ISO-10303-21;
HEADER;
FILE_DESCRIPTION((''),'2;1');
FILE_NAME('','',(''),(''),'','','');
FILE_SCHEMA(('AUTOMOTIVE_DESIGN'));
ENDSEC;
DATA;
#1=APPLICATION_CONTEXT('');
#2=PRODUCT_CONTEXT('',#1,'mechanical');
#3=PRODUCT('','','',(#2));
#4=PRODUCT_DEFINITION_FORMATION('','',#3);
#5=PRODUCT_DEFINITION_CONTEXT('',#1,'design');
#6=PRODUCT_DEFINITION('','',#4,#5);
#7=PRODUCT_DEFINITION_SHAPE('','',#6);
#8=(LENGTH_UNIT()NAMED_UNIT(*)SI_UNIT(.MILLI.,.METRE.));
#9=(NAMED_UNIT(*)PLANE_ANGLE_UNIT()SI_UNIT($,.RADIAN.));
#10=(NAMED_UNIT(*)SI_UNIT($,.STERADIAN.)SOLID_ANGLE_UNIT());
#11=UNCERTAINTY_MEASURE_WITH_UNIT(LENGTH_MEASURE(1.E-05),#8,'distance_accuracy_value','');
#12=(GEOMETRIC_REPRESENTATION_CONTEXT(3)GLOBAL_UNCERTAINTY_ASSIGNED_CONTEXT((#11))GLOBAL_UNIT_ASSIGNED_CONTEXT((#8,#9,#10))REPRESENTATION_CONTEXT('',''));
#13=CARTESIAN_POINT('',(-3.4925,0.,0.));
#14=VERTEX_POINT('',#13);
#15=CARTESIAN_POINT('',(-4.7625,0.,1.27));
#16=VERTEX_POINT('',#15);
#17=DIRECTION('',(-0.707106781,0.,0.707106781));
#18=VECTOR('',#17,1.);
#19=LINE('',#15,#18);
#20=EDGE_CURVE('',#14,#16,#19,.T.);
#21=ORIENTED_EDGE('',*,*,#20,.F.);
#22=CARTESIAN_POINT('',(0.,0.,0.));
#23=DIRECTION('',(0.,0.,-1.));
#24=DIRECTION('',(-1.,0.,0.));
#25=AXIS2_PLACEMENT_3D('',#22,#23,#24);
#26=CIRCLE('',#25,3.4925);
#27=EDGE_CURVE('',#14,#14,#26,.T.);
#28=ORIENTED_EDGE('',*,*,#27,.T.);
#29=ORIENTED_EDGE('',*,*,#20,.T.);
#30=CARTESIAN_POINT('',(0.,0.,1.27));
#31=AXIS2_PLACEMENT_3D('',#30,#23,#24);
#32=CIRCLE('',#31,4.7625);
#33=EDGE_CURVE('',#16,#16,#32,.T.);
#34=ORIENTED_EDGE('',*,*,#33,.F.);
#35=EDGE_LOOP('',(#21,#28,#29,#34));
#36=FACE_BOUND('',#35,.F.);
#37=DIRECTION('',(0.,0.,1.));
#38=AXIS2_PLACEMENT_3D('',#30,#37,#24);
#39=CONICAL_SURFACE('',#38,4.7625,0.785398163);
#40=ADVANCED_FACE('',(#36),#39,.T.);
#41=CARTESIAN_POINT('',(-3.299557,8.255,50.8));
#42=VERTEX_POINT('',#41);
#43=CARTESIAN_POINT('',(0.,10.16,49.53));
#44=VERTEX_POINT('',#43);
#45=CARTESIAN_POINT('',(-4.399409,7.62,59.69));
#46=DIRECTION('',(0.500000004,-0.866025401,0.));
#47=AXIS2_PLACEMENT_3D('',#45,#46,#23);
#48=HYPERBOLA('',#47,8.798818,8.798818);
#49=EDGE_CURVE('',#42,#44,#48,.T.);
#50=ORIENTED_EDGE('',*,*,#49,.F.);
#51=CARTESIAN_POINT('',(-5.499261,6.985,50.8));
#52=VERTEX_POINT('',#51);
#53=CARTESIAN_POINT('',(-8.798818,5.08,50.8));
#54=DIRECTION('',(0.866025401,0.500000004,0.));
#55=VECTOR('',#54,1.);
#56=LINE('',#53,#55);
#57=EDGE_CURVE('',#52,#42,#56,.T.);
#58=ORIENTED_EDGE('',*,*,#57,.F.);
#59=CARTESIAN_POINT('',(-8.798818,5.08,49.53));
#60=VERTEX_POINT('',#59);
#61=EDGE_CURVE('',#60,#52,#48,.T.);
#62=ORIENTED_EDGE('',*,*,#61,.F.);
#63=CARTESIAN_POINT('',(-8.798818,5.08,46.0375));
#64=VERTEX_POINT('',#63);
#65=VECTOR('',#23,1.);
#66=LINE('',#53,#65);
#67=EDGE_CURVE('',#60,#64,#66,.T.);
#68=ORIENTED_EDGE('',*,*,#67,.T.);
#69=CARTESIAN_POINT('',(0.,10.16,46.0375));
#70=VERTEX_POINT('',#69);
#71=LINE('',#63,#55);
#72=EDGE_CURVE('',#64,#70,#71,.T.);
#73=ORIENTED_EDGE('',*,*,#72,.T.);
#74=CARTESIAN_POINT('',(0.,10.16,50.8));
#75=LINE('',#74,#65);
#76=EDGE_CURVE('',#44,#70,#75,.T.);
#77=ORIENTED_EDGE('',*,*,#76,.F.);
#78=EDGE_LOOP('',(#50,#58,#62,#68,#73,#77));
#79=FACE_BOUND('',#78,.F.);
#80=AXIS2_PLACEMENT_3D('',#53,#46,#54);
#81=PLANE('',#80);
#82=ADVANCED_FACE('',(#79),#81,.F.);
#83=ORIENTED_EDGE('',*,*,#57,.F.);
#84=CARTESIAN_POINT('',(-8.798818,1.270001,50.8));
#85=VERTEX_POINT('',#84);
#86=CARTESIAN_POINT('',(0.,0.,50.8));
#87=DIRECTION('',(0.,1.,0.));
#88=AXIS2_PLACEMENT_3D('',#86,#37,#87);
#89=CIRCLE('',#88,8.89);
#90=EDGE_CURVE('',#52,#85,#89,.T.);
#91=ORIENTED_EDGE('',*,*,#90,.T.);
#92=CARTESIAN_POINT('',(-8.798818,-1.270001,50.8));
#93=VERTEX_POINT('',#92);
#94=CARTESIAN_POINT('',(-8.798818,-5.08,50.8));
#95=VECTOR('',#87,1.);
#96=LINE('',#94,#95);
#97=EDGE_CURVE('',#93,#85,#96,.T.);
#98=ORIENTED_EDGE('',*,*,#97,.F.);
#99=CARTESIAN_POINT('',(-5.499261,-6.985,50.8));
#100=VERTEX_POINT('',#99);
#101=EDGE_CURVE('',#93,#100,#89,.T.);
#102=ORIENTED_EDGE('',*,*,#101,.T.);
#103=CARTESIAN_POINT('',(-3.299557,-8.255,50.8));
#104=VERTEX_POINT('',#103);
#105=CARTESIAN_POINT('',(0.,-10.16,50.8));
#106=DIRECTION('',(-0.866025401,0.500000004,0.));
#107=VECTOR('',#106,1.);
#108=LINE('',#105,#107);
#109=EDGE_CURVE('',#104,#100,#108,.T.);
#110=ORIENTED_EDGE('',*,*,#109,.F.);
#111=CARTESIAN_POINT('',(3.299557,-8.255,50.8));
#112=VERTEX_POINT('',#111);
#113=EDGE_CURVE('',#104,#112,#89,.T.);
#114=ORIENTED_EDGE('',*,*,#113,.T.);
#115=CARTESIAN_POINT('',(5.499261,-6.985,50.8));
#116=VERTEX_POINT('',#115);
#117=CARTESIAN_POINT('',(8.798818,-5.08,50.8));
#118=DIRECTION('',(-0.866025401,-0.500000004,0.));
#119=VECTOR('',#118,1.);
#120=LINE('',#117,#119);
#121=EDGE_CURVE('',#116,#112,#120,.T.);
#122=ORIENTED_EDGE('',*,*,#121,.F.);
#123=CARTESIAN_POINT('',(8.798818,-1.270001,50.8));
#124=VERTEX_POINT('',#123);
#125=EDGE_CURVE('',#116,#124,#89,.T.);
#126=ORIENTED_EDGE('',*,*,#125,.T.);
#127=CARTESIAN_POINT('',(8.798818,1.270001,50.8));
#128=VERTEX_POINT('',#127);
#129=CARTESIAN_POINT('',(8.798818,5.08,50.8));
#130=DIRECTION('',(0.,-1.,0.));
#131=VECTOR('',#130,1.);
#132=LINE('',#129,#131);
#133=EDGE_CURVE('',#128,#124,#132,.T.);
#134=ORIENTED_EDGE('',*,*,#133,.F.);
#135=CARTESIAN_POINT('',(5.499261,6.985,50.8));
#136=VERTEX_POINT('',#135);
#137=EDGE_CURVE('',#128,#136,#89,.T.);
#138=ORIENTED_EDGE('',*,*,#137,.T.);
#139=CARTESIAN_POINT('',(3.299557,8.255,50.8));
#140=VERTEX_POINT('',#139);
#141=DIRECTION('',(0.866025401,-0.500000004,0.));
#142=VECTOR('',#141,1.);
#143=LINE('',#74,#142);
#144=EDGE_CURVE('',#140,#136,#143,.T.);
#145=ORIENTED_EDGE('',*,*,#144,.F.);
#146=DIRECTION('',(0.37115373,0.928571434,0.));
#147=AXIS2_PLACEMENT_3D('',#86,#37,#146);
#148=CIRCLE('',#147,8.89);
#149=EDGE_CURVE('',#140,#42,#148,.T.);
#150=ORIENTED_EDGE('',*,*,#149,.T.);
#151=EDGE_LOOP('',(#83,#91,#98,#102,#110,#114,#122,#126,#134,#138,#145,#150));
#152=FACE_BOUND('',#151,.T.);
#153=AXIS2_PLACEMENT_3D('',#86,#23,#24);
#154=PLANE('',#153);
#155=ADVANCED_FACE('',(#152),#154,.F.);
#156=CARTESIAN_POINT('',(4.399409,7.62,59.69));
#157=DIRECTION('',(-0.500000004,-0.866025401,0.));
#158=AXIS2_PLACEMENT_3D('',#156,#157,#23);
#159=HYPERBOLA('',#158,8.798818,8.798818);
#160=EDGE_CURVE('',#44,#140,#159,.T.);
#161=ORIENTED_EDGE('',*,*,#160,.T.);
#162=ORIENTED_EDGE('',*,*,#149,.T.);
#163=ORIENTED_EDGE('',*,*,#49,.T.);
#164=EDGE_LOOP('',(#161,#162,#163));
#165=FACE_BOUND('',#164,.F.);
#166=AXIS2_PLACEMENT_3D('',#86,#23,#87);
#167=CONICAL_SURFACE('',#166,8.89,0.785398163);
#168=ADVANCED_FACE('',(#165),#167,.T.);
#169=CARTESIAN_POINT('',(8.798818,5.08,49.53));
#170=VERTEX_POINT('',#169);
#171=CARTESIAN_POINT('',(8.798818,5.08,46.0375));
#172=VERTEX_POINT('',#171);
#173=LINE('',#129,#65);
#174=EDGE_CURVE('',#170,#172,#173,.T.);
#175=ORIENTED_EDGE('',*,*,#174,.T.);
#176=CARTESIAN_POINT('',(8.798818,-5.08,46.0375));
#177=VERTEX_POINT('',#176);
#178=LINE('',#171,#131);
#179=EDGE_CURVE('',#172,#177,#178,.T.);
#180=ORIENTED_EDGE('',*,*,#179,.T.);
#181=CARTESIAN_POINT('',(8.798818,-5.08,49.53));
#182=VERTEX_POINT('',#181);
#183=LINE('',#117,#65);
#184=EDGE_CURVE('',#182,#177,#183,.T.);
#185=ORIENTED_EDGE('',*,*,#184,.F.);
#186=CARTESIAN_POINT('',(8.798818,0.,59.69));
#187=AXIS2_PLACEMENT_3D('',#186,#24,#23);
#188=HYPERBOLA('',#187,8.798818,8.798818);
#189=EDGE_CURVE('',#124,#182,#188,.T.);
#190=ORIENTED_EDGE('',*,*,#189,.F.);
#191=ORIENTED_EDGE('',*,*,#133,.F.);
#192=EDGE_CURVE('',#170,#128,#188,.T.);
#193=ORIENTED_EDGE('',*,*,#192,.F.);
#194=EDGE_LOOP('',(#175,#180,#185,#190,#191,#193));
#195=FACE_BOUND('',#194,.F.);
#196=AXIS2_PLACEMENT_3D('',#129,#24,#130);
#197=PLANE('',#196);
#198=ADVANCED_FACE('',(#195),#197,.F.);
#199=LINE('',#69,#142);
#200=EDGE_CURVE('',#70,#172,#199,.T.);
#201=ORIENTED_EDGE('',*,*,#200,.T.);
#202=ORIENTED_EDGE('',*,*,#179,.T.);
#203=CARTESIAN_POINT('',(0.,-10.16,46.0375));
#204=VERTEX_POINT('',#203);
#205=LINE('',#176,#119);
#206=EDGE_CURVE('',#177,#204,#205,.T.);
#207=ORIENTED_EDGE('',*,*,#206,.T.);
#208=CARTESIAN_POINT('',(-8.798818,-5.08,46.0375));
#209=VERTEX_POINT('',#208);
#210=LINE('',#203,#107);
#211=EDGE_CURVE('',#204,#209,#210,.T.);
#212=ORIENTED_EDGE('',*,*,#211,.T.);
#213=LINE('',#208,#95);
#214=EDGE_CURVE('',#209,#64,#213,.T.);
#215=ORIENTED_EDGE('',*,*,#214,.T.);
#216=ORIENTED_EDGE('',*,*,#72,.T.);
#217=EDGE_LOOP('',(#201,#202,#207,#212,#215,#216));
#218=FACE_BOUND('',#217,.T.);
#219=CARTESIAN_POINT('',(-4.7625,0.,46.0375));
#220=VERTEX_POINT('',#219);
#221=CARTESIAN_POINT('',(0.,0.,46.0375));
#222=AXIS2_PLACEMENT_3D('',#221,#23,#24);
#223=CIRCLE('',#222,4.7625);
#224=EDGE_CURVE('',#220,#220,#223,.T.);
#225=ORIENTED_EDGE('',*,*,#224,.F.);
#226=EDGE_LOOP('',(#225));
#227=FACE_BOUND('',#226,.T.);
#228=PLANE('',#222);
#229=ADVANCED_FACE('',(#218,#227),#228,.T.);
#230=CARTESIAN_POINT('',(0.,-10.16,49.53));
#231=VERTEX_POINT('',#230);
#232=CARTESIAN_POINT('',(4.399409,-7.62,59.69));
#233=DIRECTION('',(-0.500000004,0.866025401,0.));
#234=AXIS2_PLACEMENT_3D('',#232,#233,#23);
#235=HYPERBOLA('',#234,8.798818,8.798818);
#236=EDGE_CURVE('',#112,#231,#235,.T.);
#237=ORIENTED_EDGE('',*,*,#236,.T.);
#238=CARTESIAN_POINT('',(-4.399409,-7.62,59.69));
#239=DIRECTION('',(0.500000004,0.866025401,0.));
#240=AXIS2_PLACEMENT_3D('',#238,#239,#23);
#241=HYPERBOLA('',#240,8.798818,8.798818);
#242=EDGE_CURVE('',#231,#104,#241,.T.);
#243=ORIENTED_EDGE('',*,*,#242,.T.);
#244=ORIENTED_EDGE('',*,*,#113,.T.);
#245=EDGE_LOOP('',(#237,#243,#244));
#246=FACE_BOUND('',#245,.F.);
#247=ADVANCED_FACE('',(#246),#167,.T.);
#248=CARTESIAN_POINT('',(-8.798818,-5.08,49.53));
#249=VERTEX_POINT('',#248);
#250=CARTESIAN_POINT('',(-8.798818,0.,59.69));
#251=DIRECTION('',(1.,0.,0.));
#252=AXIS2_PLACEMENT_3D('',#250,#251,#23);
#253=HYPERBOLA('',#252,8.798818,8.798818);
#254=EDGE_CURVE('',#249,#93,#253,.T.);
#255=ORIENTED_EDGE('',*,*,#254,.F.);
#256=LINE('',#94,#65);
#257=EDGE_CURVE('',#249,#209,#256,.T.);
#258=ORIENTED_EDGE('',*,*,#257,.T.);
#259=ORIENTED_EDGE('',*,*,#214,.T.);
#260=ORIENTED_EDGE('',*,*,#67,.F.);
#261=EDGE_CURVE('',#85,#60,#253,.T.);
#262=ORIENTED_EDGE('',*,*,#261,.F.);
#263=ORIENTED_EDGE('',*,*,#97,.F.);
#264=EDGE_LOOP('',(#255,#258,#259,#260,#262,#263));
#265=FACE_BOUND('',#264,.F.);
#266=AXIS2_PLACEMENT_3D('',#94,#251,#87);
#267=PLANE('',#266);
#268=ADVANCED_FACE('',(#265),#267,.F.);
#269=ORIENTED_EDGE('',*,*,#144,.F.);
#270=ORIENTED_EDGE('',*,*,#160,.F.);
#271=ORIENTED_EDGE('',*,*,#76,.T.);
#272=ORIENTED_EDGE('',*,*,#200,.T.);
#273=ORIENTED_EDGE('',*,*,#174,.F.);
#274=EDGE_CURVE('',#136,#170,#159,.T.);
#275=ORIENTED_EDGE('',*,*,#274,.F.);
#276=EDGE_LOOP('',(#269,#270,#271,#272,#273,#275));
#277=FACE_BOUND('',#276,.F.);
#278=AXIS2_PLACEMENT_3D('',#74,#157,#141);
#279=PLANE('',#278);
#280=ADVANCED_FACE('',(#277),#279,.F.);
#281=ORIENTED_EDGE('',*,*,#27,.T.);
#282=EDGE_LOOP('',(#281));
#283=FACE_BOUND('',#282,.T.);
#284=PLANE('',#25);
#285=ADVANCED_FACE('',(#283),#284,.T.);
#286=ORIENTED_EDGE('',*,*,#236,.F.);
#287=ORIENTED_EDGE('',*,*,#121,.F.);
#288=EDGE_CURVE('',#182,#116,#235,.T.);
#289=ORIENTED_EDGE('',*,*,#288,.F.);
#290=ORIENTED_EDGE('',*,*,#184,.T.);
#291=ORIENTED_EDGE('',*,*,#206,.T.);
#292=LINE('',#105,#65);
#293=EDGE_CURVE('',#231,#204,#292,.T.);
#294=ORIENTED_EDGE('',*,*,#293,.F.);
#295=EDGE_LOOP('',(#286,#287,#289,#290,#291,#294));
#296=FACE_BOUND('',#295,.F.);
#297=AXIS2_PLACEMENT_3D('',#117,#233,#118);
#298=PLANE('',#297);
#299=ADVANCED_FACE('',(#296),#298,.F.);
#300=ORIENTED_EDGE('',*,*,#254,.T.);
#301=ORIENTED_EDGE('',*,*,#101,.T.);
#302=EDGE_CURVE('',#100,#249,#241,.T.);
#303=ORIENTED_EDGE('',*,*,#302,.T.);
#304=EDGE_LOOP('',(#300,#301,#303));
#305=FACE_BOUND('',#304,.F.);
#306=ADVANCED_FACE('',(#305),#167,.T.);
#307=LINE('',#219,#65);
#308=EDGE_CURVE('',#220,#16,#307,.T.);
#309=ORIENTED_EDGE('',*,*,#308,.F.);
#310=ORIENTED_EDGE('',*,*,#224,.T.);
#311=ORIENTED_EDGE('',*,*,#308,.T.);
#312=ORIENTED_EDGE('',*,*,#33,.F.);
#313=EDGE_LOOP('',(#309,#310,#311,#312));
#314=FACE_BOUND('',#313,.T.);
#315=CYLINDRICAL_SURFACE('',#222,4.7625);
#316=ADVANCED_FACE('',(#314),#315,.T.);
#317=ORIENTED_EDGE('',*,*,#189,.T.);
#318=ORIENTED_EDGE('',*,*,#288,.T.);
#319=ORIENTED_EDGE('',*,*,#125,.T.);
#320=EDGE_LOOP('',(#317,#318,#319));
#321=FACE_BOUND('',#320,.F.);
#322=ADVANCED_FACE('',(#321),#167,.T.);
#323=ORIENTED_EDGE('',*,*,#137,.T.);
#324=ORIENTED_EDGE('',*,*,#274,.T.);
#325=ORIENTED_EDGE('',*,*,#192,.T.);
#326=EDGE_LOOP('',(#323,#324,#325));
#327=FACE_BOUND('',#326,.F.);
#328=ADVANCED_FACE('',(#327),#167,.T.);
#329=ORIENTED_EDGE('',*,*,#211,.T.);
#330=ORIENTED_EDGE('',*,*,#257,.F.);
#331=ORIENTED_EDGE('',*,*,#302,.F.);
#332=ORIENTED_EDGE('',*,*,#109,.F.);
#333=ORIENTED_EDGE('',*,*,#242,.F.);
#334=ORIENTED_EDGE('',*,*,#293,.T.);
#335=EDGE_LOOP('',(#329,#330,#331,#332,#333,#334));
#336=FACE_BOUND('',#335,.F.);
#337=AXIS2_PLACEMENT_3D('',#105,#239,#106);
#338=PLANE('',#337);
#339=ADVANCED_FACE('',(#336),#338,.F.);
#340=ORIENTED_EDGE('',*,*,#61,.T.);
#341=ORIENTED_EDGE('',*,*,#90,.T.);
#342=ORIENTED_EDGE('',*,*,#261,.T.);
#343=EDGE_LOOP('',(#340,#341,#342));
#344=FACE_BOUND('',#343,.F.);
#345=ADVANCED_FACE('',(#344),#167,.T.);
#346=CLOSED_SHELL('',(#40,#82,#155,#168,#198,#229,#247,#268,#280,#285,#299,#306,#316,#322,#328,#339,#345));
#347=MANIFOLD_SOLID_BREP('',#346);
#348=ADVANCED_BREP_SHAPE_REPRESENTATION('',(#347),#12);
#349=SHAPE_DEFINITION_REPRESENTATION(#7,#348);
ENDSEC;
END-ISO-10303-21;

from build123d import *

# Parameters (mm, degrees)
F2_R     = 12.7
F3_DEPTH = 4.7625
F4_SIZE  = 1.27


with BuildPart() as f1:
    # F0 (on Front) → F1 (revolve)
    with BuildSketch(Plane.XZ):
        Polygon((-4.7625, 0), (0, 0), (0, 50.8), (-10.16, 50.8), (-10.16, 46.0375), (-4.7625, 46.0375), align=None)
    revolve(axis=Axis((0, 0, 25.4), (0, 0, -1)))

    # F2 (on face) → F3 (cut, through all)
    with BuildSketch(Plane.XY.offset(50.8)):
        Circle(F2_R)
        Polygon((-8.798818, 5.08), (0, 10.16), (8.798818, 5.08), (8.798818, -5.08), (0, -10.16), (-8.798818, -5.08), align=None, mode=Mode.SUBTRACT)
    extrude(amount=-F3_DEPTH, mode=Mode.SUBTRACT)

    # F4
    f4_edges = [f1.edges().sort_by_distance(p)[0] for p in [
        (4.7625, 0, 0),
    ]]
    chamfer(f4_edges, length=F4_SIZE)

    # F5 (on Right) → F6 (revolve, cut)
    with BuildSketch(Plane.YZ):
        Polygon((8.89, 50.8), (10.16, 49.53), (10.16, 50.8), align=None)
    revolve(axis=Axis((0, 0, 27.040424), (0, 0, 1)), mode=Mode.SUBTRACT)


solid = f1.part
